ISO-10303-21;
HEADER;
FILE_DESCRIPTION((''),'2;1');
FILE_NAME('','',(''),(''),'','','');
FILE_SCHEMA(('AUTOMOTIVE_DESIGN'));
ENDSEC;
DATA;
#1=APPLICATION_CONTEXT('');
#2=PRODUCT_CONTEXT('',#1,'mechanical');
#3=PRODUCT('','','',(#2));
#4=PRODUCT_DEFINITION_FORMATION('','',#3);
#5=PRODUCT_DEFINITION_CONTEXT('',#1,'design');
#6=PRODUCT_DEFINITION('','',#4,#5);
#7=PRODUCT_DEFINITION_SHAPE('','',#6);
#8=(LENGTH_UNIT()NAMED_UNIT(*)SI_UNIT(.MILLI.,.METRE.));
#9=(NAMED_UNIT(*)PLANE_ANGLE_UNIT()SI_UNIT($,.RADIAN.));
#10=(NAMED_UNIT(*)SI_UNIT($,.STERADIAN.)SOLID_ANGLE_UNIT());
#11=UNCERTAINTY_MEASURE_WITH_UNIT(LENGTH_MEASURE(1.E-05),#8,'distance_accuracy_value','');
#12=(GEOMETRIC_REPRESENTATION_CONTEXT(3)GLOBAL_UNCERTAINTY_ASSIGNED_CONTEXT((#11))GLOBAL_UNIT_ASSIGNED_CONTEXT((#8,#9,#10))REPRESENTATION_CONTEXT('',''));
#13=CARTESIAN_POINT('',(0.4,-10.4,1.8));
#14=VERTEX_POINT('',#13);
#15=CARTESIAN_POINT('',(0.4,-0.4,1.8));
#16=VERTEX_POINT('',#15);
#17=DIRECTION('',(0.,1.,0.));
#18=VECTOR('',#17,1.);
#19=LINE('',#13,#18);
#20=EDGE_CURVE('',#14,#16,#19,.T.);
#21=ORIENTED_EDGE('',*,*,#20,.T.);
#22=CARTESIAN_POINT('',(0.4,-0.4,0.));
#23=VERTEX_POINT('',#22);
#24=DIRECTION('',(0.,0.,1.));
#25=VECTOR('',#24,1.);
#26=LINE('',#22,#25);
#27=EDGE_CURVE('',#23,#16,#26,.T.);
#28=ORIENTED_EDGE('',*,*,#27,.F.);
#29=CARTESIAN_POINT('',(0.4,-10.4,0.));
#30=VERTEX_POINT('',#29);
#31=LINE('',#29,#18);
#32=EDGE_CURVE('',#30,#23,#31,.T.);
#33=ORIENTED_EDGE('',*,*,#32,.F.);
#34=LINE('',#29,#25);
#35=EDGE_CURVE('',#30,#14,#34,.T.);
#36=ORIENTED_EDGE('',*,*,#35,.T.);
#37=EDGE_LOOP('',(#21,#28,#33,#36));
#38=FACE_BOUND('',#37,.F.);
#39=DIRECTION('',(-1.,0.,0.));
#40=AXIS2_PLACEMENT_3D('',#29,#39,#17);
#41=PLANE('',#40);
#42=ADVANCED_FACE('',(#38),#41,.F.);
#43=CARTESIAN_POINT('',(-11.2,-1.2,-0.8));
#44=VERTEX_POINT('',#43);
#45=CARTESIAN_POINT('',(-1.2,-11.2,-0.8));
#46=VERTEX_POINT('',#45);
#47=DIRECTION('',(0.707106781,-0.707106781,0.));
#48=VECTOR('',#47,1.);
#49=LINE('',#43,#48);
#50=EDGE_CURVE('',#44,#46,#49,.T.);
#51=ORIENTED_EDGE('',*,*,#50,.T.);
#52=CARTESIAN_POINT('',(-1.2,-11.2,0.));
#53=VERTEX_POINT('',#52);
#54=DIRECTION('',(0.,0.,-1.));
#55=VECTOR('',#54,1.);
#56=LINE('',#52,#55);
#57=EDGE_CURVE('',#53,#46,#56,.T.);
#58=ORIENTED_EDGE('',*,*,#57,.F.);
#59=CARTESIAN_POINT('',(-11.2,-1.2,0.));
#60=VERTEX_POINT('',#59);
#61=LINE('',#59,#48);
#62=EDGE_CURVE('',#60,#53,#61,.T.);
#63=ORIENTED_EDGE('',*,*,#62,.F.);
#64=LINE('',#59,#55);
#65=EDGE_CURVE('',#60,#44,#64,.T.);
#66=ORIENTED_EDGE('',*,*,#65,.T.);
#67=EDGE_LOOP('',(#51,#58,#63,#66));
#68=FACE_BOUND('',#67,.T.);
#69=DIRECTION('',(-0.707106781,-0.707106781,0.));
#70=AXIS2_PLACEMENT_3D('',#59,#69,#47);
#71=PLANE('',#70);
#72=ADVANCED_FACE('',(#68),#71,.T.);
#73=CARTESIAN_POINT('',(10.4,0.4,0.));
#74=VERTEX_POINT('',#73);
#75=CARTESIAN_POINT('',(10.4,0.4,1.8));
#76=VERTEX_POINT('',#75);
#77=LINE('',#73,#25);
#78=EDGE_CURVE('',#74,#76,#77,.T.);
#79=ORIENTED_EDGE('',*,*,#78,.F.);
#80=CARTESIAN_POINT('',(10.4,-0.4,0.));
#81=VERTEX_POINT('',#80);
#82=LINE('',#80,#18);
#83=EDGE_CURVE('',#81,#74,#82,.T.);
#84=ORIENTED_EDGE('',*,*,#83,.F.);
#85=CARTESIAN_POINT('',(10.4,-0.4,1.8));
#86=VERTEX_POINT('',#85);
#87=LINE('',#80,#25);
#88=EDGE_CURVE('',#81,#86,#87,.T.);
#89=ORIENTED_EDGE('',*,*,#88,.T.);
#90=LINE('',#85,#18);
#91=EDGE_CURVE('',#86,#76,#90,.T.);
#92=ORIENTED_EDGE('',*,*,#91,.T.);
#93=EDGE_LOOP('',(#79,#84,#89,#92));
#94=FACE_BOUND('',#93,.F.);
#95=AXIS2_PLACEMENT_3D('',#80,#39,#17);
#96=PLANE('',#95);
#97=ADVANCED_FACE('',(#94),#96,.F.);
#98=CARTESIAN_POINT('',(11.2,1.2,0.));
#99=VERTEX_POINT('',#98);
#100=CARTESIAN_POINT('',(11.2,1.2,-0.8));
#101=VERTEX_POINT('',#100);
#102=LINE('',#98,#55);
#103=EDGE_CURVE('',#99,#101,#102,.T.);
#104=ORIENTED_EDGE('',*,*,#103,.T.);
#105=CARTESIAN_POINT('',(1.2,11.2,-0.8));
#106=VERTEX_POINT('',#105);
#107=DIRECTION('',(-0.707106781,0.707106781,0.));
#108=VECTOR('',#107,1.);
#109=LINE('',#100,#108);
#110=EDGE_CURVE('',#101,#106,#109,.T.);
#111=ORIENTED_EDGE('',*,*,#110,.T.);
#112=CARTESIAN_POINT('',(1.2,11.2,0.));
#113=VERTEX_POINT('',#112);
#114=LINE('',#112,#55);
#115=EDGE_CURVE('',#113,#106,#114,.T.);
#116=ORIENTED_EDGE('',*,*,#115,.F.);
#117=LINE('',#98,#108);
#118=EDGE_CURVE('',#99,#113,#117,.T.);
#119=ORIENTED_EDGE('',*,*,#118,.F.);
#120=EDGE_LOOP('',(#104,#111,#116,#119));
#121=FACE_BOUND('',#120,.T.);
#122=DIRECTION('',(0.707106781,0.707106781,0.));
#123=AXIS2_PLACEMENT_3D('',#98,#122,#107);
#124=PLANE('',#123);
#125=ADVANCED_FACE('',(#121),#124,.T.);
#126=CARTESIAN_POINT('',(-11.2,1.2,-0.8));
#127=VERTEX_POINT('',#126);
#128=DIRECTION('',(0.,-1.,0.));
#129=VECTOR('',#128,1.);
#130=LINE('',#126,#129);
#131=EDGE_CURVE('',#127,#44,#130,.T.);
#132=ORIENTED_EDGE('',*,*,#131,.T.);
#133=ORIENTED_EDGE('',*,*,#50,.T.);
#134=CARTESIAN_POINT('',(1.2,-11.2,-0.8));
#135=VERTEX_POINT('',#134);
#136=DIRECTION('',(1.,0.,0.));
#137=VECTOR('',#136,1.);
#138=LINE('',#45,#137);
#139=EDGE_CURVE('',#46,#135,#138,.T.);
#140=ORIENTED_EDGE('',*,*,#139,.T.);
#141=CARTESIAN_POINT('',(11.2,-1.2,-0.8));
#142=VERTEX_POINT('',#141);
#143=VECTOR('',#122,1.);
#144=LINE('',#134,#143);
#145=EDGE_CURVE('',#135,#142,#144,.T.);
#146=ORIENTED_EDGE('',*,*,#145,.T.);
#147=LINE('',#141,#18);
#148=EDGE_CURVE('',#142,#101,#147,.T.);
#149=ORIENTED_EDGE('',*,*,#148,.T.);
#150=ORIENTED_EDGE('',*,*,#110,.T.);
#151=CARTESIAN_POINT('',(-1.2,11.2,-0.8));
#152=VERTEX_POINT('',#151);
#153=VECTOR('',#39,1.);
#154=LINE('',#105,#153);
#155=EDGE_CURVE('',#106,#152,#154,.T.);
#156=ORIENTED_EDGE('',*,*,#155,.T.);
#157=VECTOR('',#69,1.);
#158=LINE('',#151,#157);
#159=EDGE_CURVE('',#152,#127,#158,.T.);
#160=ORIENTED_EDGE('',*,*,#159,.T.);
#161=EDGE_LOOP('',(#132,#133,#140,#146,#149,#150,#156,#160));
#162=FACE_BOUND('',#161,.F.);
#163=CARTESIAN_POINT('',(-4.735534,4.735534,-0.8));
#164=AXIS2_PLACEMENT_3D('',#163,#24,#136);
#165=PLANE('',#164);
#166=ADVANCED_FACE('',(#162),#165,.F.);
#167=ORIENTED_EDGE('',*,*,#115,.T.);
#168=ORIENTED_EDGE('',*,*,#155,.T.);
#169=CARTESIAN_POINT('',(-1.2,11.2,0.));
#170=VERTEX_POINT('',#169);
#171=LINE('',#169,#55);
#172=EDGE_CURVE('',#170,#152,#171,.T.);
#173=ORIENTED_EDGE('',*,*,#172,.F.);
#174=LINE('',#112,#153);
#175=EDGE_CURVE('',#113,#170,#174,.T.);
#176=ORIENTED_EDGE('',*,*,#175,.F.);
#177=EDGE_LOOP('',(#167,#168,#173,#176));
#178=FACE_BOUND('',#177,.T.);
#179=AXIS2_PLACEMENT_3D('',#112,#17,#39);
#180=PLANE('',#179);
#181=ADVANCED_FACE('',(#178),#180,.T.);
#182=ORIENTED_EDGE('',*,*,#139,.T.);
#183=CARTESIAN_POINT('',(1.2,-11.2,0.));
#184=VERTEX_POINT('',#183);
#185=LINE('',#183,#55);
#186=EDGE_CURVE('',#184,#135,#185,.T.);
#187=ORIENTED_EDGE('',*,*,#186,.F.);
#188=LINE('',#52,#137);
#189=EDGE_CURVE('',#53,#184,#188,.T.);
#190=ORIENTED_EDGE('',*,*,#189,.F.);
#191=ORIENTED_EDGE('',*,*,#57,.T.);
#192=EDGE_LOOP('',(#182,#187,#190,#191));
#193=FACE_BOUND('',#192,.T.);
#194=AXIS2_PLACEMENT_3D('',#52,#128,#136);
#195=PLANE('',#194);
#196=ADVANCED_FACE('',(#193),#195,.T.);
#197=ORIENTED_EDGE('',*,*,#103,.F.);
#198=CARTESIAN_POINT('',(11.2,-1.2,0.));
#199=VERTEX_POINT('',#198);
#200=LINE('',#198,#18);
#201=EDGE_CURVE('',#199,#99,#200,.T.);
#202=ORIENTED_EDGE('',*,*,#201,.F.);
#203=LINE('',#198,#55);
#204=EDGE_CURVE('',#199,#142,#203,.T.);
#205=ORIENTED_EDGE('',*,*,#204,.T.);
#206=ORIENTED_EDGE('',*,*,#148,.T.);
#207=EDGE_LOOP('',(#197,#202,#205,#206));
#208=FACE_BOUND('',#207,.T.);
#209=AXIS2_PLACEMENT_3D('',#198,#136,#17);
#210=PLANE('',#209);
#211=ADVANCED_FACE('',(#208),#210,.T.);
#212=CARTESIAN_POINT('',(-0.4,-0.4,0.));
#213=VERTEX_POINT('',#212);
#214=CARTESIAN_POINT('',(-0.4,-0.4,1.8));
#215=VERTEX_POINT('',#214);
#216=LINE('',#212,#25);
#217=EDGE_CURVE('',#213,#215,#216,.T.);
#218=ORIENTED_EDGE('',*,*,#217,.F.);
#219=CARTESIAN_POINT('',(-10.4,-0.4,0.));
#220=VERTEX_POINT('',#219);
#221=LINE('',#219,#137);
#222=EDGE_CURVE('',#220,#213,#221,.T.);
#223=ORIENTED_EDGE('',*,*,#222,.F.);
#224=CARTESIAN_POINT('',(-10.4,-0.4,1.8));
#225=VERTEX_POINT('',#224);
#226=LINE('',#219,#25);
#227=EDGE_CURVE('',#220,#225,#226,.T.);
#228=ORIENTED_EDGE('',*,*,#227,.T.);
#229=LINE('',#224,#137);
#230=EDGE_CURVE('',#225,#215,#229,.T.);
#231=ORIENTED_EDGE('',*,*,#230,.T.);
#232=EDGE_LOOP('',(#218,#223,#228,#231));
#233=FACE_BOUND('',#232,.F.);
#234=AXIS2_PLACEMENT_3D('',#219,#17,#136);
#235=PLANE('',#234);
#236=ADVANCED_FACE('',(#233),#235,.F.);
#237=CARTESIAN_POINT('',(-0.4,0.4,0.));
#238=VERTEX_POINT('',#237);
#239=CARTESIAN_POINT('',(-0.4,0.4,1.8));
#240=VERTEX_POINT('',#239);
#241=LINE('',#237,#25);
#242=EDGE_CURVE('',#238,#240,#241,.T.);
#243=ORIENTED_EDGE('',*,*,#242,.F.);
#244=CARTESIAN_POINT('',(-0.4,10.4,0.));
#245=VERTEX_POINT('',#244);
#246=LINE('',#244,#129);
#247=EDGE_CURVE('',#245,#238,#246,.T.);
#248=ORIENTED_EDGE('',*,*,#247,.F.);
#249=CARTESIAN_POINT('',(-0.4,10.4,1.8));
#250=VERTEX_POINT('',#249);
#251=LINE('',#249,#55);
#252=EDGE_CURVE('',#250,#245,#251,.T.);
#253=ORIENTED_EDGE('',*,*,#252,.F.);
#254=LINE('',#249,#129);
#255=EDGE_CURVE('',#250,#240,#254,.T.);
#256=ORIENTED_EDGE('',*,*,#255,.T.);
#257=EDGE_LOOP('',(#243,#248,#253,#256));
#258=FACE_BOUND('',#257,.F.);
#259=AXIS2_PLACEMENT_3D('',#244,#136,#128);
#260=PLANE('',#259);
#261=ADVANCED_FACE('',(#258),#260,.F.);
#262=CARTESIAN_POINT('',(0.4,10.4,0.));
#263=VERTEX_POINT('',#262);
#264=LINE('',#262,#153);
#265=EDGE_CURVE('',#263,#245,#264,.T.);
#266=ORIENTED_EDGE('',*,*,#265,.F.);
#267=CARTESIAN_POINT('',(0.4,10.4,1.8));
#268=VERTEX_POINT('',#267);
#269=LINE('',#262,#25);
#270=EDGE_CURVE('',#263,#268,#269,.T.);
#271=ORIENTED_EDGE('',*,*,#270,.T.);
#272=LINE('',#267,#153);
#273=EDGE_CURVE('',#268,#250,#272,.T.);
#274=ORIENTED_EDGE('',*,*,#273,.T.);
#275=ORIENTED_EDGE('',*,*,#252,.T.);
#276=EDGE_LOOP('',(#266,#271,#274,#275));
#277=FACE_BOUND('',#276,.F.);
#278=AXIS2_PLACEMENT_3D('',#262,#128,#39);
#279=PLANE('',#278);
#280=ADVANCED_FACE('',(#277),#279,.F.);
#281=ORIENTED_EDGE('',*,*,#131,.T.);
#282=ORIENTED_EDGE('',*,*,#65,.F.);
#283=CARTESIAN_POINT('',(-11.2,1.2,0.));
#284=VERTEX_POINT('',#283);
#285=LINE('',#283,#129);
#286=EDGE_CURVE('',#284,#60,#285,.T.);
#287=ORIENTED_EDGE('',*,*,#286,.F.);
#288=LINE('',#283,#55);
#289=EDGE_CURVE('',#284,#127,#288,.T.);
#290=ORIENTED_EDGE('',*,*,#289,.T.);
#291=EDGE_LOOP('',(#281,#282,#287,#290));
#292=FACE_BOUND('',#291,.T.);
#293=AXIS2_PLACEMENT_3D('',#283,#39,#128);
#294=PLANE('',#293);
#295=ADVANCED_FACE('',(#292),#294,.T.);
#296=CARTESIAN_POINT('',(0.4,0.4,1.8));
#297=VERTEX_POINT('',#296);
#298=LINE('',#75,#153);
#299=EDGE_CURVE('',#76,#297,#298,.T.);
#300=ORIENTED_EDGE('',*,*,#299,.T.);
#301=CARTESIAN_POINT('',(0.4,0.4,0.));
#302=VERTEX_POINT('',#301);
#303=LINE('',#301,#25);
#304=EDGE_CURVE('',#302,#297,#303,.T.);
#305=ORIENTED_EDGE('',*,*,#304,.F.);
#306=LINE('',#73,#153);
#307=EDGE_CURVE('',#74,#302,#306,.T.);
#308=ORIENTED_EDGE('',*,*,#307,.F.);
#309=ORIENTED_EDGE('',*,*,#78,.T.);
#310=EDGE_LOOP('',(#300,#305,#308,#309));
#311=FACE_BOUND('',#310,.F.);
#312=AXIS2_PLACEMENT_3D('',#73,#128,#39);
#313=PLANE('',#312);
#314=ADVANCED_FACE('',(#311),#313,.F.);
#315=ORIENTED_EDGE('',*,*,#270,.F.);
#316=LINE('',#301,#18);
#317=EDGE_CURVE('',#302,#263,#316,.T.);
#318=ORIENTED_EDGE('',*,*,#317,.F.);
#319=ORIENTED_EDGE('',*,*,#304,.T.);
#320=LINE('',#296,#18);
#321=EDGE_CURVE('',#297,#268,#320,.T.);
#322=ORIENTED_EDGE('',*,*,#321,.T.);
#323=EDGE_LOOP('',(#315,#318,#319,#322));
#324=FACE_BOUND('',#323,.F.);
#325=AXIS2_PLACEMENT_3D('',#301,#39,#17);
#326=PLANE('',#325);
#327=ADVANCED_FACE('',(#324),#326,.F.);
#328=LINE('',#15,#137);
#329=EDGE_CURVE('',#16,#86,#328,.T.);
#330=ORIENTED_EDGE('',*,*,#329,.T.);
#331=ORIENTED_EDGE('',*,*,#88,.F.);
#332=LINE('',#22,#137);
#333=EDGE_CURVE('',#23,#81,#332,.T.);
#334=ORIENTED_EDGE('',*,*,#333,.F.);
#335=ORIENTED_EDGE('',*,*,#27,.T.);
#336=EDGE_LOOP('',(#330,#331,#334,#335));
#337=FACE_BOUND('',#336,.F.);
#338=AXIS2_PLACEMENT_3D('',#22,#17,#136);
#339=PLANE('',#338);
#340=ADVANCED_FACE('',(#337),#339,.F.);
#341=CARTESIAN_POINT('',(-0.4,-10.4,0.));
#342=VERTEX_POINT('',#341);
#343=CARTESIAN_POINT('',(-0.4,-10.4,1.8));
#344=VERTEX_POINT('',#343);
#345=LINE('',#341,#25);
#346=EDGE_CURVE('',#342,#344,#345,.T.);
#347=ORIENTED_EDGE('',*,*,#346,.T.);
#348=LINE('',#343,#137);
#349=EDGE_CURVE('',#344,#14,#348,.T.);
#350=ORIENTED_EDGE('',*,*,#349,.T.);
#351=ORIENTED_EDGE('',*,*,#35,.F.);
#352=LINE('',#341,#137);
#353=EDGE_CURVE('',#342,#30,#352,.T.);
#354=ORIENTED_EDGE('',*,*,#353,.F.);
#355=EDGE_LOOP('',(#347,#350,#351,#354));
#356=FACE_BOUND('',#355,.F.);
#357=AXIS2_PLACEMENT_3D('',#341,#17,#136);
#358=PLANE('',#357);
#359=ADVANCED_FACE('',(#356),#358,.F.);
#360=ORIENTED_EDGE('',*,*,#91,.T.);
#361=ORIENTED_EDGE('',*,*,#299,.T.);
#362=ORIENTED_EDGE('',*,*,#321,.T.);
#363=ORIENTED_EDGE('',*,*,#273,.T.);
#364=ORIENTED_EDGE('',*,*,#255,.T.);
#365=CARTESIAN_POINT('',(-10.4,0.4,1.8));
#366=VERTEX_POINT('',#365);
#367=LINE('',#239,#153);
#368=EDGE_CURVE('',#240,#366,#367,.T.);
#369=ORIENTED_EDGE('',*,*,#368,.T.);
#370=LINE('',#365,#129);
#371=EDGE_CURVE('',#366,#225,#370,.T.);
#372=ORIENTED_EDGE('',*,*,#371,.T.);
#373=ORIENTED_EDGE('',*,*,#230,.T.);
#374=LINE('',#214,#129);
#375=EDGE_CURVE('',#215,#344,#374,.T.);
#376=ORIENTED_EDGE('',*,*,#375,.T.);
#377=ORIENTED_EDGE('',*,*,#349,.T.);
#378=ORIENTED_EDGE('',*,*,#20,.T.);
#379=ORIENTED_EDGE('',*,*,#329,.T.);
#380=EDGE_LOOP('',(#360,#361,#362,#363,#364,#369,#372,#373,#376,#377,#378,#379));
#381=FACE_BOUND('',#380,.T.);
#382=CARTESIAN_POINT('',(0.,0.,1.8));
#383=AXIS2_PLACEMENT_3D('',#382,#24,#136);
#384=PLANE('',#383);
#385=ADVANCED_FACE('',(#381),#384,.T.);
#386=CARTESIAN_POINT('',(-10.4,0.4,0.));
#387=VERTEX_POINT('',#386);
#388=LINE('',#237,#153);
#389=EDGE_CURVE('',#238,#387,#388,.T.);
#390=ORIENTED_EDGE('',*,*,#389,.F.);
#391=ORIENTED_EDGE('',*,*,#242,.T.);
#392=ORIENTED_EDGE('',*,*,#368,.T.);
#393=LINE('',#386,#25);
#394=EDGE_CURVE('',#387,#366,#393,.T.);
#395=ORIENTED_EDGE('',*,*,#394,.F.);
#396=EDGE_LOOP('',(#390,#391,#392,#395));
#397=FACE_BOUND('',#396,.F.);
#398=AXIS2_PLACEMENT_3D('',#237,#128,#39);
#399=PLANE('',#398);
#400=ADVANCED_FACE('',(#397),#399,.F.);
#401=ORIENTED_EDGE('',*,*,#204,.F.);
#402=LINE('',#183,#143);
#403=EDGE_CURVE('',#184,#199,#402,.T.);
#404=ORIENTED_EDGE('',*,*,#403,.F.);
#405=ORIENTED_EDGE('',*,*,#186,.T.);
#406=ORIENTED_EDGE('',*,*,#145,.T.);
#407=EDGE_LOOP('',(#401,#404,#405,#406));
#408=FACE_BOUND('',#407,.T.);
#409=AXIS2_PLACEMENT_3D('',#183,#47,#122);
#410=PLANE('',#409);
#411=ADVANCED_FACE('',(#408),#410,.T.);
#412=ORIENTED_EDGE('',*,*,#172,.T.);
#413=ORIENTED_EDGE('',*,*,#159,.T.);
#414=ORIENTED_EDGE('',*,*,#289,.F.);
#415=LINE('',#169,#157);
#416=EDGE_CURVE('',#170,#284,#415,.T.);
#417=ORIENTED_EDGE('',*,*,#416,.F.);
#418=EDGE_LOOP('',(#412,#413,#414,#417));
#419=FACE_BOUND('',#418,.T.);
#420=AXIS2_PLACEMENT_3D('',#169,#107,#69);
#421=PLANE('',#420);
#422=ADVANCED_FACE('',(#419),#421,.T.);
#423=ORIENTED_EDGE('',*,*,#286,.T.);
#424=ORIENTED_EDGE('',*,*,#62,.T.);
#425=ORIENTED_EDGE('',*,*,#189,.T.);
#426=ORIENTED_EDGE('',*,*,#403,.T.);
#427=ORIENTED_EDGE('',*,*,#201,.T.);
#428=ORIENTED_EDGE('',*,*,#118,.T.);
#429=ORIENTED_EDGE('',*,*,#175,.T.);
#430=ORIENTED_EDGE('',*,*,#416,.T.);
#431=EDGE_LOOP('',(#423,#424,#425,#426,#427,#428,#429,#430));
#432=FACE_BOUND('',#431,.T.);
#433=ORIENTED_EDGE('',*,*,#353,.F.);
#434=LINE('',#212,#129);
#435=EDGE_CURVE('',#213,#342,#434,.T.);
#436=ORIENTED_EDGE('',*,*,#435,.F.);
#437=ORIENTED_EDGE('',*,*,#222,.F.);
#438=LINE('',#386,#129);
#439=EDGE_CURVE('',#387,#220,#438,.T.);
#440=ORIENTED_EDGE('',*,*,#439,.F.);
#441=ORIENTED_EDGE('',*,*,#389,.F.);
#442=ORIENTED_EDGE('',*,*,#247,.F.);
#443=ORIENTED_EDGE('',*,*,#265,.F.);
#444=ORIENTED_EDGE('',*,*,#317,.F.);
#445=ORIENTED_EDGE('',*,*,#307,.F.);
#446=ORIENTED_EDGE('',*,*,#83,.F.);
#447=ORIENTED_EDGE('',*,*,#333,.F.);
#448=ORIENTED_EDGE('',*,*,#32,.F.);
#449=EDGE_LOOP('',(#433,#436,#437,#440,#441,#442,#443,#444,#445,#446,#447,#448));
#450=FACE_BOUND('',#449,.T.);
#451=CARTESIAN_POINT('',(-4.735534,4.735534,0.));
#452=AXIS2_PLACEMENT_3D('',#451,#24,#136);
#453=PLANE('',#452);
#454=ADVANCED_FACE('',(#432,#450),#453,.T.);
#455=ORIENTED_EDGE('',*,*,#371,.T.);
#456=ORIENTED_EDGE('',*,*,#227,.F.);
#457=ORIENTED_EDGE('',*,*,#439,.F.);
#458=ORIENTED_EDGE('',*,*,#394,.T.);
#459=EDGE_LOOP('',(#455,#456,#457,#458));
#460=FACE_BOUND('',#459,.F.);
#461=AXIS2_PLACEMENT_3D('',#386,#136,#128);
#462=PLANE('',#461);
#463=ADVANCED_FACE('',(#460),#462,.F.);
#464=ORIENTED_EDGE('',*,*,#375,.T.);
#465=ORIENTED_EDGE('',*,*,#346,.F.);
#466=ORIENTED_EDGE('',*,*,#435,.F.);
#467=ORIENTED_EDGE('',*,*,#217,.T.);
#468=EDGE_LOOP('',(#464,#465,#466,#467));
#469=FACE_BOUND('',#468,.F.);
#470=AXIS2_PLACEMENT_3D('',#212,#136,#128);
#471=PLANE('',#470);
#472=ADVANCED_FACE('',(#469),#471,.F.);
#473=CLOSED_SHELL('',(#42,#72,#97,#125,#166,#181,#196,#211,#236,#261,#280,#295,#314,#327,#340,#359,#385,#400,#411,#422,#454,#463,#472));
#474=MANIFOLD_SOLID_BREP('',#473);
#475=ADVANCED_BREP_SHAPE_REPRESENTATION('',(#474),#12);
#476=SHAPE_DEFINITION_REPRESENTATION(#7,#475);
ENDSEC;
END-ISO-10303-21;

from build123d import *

# Parameters (mm, degrees)
F1_DEPTH = 1.8
F2_DEPTH = 0.8


with BuildPart() as f1:
    # F0 (on Top) → F1 (new body)
    with BuildSketch(Plane.XY):
        Polygon((-0.4, 10.4), (-0.4, 0.4), (-10.4, 0.4), (-10.4, -0.4), (-0.4, -0.4), (-0.4, -10.4), (0.4, -10.4), (0.4, -0.4), (10.4, -0.4), (10.4, 0.4), (0.4, 0.4), (0.4, 10.4), align=None)
    extrude(amount=F1_DEPTH)

    # F0 (on Top) + F1_face (on face) → F2 (join)
    with BuildSketch(Plane.XY):
        Polygon((-1.2, 11.2), (-11.2, 1.2), (-1.2, 1.2), align=None)
        Polygon((11.2, 1.2), (1.2, 11.2), (1.2, 1.2), align=None)
        Polygon((1.2, -1.2), (1.2, -11.2), (11.2, -1.2), align=None)
        Polygon((-1.2, -1.2), (-11.2, -1.2), (-1.2, -11.2), align=None)
        Polygon((-11.2, 1.2), (-11.2, -1.2), (-1.2, -1.2), (-1.2, -11.2), (1.2, -11.2), (1.2, -1.2), (11.2, -1.2), (11.2, 1.2), (1.2, 1.2), (1.2, 11.2), (-1.2, 11.2), (-1.2, 1.2), align=None)
        Polygon((-10.4, 0.4), (-0.4, 0.4), (-0.4, 10.4), (0.4, 10.4), (0.4, 0.4), (10.4, 0.4), (10.4, -0.4), (0.4, -0.4), (0.4, -10.4), (-0.4, -10.4), (-0.4, -0.4), (-10.4, -0.4), align=None, mode=Mode.SUBTRACT)
        Polygon((-0.4, 10.4), (-0.4, 0.4), (-10.4, 0.4), (-10.4, -0.4), (-0.4, -0.4), (-0.4, -10.4), (0.4, -10.4), (0.4, -0.4), (10.4, -0.4), (10.4, 0.4), (0.4, 0.4), (0.4, 10.4), align=None)
    with BuildSketch(Plane.XY.offset(1.8)):
        Polygon((0.4, 0.4), (0.4, 10.4), (-0.4, 10.4), (-0.4, 0.4), (-10.4, 0.4), (-10.4, -0.4), (-0.4, -0.4), (-0.4, -10.4), (0.4, -10.4), (0.4, -0.4), (10.4, -0.4), (10.4, 0.4), align=None)
    extrude(amount=-F2_DEPTH)


solid = f1.part
